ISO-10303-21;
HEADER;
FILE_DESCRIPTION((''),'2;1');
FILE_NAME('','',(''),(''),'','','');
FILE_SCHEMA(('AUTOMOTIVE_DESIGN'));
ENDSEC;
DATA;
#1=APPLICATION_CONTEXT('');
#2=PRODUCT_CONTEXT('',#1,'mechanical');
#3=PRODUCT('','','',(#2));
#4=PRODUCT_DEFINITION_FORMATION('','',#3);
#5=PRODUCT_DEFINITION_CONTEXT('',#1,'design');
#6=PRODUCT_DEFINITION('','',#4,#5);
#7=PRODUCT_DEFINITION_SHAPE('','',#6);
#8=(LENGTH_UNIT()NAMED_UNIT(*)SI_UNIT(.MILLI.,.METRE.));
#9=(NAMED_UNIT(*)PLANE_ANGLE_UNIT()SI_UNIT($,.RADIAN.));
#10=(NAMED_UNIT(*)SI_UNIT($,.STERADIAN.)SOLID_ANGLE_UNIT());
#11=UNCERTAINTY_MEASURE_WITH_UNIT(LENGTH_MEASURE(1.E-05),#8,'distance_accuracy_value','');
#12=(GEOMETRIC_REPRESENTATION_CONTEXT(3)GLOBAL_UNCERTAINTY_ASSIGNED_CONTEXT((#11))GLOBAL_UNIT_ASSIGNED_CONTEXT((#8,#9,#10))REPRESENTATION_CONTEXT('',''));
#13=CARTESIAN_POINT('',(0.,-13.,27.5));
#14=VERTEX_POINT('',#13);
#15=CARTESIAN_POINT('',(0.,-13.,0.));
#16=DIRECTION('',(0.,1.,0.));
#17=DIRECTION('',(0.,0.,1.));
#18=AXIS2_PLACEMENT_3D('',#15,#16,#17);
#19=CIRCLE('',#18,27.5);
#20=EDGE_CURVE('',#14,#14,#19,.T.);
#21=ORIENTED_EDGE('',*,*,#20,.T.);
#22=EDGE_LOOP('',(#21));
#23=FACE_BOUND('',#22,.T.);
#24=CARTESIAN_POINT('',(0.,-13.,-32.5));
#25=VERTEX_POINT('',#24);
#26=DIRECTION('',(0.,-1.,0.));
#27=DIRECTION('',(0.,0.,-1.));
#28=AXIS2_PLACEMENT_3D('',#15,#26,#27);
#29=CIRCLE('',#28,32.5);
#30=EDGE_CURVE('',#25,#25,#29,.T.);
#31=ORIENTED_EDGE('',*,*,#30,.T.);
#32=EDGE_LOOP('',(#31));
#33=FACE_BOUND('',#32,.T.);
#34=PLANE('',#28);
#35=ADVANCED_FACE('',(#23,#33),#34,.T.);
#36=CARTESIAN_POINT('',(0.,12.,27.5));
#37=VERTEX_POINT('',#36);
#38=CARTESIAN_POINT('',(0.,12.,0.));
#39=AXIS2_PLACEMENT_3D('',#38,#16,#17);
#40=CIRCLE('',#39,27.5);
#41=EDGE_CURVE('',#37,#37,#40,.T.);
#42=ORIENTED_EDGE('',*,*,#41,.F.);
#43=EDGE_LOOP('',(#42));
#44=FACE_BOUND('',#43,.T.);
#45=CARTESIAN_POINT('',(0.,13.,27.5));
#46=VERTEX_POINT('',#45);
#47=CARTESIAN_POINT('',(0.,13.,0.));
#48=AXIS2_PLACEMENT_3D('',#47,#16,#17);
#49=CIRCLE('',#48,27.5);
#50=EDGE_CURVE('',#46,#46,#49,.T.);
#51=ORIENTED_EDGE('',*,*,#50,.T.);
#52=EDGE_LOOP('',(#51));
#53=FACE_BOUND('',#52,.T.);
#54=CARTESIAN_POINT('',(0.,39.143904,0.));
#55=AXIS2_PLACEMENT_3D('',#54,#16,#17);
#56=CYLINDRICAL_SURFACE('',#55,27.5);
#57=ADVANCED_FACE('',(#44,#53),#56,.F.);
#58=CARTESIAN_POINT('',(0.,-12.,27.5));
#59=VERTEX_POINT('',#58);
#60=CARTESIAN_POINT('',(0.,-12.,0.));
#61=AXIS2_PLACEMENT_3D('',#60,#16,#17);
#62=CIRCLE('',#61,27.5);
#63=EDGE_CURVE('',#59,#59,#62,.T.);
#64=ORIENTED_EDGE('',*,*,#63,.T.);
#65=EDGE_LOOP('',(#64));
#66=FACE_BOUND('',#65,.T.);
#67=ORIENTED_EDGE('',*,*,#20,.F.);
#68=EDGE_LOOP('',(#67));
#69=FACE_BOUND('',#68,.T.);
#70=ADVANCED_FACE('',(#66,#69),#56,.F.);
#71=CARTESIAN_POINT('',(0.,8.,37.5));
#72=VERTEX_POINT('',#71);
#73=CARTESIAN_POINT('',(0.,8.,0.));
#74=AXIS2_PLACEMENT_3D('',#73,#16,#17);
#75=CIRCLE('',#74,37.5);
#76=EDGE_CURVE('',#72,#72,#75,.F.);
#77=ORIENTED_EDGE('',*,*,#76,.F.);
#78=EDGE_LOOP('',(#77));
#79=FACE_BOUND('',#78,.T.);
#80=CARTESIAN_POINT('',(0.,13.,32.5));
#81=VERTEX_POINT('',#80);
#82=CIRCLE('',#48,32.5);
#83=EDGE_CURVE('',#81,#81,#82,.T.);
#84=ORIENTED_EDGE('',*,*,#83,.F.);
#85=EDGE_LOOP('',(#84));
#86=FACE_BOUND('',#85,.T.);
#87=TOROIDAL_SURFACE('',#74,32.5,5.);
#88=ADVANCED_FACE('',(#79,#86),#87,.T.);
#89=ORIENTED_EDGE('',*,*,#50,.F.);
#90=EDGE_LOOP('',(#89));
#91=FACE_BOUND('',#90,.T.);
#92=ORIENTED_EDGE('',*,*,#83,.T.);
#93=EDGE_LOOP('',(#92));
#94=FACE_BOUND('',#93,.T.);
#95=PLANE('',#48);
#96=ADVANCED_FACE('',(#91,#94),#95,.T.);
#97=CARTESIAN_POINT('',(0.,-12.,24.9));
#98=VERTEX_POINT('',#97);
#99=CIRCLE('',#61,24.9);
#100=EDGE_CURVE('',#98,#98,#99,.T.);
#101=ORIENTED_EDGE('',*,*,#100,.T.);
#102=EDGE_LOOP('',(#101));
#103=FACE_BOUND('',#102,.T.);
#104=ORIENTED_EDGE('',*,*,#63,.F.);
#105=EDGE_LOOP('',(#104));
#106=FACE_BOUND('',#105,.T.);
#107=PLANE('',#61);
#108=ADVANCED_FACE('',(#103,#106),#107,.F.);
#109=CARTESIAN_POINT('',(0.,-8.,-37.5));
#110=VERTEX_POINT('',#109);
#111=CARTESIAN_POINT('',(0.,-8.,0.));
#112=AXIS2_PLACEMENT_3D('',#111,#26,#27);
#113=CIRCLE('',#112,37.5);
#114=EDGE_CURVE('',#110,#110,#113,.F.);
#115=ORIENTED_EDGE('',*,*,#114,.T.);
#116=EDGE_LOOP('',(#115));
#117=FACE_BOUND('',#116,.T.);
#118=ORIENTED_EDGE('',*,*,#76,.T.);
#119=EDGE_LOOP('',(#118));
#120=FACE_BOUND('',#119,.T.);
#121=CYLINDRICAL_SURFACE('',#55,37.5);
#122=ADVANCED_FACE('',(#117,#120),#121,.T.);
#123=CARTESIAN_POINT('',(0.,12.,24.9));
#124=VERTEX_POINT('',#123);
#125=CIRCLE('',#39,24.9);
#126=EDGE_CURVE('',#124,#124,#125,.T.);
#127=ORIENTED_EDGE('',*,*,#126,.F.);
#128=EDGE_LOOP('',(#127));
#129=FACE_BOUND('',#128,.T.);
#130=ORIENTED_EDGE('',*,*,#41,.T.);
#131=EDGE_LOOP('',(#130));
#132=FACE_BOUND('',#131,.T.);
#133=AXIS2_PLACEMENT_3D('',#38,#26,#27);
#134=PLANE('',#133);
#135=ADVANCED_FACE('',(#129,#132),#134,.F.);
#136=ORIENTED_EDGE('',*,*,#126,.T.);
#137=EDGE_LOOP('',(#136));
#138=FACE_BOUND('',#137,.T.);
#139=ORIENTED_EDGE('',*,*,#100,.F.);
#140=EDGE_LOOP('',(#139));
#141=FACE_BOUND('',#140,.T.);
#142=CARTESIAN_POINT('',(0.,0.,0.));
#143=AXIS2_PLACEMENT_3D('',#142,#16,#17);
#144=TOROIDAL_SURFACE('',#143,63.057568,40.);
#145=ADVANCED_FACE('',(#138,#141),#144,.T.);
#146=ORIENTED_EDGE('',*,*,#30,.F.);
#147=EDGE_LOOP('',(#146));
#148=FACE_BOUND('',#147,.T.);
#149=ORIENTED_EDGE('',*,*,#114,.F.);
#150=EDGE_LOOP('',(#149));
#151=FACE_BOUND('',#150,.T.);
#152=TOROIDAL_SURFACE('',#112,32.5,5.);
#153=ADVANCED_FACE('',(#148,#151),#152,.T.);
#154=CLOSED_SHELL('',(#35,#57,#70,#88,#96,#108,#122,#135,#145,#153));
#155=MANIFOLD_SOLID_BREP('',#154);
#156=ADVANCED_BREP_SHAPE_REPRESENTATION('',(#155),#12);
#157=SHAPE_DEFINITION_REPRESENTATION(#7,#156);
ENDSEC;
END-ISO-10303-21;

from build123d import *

# Parameters (mm, degrees)
FILLET1_R = 5


with BuildPart() as part:
    # Sketch1 → Revolve3 (revolve)
    with BuildSketch(Plane.XY):
        with BuildLine():
            Line((-27.5, -13), (-27.5, -12))
            Line((-27.5, -12), (-24.9, -12))
            ThreePointArc((-24.9, -12), (-23.057568057, 0), (-24.9, 12))
            Line((-24.9, 12), (-27.5, 12))
            Line((-27.5, 12), (-27.5, 13))
            Line((-27.5, 13), (-37.5, 13))
            Line((-37.5, 13), (-37.5, -13))
            Line((-37.5, -13), (-27.5, -13))
        make_face()
    revolve(axis=Axis((0, 39.143904287, 0), (0, -1, 0)))

    # Fillet1
    fillet1_edges = [part.edges().sort_by_distance(p)[0] for p in [
        (37.5, -13, 0),
        (37.5, 13, 0),
    ]]
    fillet(fillet1_edges, radius=FILLET1_R)


solid = part.part
